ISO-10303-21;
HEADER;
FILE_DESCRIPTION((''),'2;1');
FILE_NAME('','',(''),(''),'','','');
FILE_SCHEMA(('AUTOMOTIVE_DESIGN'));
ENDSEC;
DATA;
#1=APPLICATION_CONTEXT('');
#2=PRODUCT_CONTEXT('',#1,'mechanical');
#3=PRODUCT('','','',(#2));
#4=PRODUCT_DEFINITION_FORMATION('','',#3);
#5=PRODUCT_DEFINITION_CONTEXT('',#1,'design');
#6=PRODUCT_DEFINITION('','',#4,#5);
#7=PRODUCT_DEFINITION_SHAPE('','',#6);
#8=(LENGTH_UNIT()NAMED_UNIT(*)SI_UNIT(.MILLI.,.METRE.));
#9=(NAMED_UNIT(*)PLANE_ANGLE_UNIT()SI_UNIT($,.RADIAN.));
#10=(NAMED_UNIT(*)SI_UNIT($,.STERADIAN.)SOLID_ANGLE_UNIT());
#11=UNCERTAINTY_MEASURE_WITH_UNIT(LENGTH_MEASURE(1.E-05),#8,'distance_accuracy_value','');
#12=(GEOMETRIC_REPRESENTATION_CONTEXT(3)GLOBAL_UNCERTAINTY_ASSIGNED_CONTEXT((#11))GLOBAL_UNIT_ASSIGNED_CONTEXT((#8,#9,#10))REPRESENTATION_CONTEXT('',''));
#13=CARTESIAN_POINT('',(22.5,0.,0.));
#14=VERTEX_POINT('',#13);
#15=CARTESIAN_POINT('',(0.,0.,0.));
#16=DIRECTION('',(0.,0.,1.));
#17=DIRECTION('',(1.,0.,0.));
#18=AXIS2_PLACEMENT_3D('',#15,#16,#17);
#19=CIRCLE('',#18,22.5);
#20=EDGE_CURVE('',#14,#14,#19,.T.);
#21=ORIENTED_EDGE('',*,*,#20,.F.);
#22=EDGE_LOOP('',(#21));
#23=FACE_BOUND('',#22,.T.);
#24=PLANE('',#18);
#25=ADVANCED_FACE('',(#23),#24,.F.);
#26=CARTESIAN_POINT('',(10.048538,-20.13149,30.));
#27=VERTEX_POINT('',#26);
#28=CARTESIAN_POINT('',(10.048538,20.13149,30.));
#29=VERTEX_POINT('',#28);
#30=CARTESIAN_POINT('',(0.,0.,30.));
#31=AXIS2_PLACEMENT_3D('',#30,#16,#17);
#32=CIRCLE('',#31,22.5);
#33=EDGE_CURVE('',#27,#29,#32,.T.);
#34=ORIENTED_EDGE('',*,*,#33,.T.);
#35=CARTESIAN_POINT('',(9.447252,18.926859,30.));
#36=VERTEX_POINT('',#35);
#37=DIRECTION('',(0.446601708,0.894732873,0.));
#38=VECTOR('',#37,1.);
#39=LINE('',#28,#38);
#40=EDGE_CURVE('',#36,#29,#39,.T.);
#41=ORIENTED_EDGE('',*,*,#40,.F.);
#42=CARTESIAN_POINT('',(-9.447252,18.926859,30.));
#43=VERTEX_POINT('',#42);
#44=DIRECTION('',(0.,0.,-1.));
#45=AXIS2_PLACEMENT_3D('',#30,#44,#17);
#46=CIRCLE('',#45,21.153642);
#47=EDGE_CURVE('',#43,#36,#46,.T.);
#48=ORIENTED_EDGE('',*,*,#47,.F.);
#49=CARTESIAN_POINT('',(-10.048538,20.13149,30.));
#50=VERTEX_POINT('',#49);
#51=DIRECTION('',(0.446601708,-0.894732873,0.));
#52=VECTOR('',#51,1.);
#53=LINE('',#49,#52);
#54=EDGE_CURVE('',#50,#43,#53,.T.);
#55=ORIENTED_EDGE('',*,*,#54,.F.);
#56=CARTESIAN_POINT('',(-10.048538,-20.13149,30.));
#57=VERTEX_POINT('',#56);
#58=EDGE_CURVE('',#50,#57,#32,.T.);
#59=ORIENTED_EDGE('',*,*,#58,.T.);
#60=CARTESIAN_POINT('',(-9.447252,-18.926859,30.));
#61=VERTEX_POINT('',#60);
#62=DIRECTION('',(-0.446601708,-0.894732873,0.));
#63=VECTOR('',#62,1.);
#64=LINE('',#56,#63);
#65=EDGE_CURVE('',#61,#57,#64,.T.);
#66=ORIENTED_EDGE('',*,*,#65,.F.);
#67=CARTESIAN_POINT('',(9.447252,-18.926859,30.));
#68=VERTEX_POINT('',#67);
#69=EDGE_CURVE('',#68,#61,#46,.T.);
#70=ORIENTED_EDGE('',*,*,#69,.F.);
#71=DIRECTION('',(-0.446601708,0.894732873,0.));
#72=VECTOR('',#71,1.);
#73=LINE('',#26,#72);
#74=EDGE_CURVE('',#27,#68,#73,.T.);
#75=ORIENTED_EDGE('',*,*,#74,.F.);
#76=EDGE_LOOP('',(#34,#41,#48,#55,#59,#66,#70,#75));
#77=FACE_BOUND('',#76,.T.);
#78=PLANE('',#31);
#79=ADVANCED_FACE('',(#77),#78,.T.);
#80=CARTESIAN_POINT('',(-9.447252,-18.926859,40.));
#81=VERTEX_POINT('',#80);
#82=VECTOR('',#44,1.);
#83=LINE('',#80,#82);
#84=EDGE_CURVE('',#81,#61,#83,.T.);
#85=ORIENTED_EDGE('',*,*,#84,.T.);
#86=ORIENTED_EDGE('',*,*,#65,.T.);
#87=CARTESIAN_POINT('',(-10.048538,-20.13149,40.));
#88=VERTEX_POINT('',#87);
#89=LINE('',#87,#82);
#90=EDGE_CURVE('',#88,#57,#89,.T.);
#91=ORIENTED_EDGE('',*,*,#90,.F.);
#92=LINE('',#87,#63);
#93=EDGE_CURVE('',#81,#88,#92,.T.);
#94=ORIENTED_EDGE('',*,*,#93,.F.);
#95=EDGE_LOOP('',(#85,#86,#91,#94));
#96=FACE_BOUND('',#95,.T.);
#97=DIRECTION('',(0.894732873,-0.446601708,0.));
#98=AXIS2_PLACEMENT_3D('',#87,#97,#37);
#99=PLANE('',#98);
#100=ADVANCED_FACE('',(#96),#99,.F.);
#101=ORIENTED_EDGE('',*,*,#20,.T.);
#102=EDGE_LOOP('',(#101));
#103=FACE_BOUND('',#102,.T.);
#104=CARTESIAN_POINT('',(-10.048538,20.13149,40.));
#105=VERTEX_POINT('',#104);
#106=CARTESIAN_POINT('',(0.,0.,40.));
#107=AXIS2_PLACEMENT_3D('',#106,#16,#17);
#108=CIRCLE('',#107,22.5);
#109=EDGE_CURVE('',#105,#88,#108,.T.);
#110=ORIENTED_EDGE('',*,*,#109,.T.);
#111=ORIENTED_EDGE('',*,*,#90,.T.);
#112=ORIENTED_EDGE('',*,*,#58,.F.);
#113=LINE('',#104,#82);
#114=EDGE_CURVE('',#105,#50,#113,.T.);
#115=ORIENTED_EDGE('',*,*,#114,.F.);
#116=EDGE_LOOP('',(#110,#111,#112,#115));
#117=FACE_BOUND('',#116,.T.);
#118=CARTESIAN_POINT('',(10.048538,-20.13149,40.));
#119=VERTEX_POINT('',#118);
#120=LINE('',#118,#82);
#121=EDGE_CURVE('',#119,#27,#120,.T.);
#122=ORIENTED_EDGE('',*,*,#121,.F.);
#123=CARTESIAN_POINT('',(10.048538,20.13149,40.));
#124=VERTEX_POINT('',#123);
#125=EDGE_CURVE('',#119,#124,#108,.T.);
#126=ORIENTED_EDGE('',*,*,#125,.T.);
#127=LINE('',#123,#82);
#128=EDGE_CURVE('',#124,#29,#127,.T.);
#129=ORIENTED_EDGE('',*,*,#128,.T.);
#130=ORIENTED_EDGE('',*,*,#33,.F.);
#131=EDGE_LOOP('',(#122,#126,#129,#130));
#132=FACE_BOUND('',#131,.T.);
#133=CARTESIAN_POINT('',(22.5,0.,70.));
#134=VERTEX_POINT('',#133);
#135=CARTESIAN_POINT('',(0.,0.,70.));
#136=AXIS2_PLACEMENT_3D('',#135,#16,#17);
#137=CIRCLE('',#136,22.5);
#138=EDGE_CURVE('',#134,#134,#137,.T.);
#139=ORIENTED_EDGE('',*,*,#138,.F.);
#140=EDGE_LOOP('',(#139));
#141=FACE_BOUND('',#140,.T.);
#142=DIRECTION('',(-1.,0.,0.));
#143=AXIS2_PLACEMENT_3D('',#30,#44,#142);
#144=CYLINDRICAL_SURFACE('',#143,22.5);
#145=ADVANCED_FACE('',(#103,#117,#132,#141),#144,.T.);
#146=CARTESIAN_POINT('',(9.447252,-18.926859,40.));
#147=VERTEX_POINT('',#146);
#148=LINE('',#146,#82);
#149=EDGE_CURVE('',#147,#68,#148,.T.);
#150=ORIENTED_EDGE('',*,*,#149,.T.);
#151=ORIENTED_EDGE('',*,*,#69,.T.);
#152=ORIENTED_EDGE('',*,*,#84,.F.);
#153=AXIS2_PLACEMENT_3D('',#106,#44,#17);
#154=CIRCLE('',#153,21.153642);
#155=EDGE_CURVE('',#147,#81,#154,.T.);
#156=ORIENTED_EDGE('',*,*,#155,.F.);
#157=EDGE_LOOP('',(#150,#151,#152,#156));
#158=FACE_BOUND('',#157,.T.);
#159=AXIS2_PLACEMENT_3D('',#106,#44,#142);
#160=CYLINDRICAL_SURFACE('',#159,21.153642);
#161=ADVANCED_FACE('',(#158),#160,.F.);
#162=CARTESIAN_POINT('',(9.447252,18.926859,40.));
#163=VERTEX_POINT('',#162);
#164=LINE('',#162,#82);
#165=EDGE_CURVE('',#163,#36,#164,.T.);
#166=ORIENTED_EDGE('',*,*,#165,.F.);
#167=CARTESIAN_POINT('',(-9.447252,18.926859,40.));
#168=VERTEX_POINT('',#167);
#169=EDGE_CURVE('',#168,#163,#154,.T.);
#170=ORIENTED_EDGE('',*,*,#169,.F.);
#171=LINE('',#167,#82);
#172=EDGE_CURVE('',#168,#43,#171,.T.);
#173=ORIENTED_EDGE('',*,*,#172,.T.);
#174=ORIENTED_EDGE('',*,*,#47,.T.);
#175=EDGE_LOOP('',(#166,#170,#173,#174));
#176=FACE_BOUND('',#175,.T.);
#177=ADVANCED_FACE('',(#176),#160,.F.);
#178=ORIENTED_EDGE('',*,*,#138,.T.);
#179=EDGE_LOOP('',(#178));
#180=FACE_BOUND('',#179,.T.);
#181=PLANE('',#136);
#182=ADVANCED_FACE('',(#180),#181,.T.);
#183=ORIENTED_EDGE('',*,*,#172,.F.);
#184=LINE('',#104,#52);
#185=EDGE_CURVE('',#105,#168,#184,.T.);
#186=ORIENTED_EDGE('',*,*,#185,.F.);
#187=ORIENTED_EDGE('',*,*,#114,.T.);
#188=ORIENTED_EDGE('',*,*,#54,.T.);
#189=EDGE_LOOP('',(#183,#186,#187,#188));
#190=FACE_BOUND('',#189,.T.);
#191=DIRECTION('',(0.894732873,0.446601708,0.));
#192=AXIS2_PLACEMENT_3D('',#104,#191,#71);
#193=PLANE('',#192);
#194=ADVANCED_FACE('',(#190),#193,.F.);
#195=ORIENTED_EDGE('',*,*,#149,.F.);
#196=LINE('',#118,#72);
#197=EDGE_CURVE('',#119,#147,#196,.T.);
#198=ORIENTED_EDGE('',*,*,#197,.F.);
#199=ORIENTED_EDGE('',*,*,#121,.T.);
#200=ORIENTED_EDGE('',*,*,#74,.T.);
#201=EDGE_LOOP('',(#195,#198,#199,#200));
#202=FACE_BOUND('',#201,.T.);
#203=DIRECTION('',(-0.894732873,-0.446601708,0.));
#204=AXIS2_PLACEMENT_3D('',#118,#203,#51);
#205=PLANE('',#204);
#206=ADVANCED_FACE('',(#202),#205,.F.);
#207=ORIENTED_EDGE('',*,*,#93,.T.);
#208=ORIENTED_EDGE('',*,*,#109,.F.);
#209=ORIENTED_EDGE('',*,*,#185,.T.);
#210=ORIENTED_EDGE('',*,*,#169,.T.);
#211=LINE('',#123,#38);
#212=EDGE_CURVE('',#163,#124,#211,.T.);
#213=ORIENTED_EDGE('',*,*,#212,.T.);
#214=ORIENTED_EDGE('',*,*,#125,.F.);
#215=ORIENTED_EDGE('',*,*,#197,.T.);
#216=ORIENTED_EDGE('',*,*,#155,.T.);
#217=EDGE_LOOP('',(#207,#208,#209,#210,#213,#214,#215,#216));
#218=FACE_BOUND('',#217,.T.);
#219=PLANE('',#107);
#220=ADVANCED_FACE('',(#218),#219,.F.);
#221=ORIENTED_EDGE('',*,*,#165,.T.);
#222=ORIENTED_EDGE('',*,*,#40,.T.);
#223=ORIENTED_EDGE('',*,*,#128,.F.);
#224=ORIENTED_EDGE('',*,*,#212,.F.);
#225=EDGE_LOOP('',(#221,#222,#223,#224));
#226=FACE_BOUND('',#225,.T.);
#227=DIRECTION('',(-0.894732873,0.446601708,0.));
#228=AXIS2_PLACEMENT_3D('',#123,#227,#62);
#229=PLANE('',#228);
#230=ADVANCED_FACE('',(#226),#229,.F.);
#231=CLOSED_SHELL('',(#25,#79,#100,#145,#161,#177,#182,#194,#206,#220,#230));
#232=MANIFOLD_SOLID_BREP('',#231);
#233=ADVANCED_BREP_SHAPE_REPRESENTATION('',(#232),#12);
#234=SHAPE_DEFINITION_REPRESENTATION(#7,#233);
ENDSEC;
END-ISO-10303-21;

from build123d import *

# Parameters (mm, degrees)
SKETCH_1_R      = 22.5
EXTRUDE_1_DEPTH = 30
EXTRUDE_2_DEPTH = 10
SKETCH_4_R      = 22.5
EXTRUDE_3_DEPTH = 30


with BuildPart() as part:
    # 草图1 → 凸台-拉伸1 (new body)
    with BuildSketch(Plane.XY):
        Circle(SKETCH_1_R)
    extrude(amount=EXTRUDE_1_DEPTH)

    # 草图3 → 凸台-拉伸2 (add)
    with BuildSketch(Plane.XY.offset(30)):
        with BuildLine():
            Line((-10.048538424, 20.13148965), (-9.44725249, 18.926858585))
            ThreePointArc((-9.44725249, 18.926858585), (0, 21.153641661), (9.44725249, 18.926858585))
            Line((9.44725249, 18.926858585), (10.048538424, 20.13148965))
            ThreePointArc((10.048538424, 20.13148965), (0, 22.5), (-10.048538424, 20.13148965))
        make_face()
        with BuildLine():
            Line((-10.048538424, -20.13148965), (-9.44725249, -18.926858585))
            ThreePointArc((-9.44725249, -18.926858585), (0, -21.153641661), (9.44725249, -18.926858585))
            Line((9.44725249, -18.926858585), (10.048538424, -20.13148965))
            ThreePointArc((10.048538424, -20.13148965), (0, -22.5), (-10.048538424, -20.13148965))
        make_face()
    extrude(amount=EXTRUDE_2_DEPTH)

    # 草图4 → 凸台-拉伸3 (add)
    with BuildSketch(Plane.XY.offset(40)):
        Circle(SKETCH_4_R)
    extrude(amount=EXTRUDE_3_DEPTH)


solid = part.part
